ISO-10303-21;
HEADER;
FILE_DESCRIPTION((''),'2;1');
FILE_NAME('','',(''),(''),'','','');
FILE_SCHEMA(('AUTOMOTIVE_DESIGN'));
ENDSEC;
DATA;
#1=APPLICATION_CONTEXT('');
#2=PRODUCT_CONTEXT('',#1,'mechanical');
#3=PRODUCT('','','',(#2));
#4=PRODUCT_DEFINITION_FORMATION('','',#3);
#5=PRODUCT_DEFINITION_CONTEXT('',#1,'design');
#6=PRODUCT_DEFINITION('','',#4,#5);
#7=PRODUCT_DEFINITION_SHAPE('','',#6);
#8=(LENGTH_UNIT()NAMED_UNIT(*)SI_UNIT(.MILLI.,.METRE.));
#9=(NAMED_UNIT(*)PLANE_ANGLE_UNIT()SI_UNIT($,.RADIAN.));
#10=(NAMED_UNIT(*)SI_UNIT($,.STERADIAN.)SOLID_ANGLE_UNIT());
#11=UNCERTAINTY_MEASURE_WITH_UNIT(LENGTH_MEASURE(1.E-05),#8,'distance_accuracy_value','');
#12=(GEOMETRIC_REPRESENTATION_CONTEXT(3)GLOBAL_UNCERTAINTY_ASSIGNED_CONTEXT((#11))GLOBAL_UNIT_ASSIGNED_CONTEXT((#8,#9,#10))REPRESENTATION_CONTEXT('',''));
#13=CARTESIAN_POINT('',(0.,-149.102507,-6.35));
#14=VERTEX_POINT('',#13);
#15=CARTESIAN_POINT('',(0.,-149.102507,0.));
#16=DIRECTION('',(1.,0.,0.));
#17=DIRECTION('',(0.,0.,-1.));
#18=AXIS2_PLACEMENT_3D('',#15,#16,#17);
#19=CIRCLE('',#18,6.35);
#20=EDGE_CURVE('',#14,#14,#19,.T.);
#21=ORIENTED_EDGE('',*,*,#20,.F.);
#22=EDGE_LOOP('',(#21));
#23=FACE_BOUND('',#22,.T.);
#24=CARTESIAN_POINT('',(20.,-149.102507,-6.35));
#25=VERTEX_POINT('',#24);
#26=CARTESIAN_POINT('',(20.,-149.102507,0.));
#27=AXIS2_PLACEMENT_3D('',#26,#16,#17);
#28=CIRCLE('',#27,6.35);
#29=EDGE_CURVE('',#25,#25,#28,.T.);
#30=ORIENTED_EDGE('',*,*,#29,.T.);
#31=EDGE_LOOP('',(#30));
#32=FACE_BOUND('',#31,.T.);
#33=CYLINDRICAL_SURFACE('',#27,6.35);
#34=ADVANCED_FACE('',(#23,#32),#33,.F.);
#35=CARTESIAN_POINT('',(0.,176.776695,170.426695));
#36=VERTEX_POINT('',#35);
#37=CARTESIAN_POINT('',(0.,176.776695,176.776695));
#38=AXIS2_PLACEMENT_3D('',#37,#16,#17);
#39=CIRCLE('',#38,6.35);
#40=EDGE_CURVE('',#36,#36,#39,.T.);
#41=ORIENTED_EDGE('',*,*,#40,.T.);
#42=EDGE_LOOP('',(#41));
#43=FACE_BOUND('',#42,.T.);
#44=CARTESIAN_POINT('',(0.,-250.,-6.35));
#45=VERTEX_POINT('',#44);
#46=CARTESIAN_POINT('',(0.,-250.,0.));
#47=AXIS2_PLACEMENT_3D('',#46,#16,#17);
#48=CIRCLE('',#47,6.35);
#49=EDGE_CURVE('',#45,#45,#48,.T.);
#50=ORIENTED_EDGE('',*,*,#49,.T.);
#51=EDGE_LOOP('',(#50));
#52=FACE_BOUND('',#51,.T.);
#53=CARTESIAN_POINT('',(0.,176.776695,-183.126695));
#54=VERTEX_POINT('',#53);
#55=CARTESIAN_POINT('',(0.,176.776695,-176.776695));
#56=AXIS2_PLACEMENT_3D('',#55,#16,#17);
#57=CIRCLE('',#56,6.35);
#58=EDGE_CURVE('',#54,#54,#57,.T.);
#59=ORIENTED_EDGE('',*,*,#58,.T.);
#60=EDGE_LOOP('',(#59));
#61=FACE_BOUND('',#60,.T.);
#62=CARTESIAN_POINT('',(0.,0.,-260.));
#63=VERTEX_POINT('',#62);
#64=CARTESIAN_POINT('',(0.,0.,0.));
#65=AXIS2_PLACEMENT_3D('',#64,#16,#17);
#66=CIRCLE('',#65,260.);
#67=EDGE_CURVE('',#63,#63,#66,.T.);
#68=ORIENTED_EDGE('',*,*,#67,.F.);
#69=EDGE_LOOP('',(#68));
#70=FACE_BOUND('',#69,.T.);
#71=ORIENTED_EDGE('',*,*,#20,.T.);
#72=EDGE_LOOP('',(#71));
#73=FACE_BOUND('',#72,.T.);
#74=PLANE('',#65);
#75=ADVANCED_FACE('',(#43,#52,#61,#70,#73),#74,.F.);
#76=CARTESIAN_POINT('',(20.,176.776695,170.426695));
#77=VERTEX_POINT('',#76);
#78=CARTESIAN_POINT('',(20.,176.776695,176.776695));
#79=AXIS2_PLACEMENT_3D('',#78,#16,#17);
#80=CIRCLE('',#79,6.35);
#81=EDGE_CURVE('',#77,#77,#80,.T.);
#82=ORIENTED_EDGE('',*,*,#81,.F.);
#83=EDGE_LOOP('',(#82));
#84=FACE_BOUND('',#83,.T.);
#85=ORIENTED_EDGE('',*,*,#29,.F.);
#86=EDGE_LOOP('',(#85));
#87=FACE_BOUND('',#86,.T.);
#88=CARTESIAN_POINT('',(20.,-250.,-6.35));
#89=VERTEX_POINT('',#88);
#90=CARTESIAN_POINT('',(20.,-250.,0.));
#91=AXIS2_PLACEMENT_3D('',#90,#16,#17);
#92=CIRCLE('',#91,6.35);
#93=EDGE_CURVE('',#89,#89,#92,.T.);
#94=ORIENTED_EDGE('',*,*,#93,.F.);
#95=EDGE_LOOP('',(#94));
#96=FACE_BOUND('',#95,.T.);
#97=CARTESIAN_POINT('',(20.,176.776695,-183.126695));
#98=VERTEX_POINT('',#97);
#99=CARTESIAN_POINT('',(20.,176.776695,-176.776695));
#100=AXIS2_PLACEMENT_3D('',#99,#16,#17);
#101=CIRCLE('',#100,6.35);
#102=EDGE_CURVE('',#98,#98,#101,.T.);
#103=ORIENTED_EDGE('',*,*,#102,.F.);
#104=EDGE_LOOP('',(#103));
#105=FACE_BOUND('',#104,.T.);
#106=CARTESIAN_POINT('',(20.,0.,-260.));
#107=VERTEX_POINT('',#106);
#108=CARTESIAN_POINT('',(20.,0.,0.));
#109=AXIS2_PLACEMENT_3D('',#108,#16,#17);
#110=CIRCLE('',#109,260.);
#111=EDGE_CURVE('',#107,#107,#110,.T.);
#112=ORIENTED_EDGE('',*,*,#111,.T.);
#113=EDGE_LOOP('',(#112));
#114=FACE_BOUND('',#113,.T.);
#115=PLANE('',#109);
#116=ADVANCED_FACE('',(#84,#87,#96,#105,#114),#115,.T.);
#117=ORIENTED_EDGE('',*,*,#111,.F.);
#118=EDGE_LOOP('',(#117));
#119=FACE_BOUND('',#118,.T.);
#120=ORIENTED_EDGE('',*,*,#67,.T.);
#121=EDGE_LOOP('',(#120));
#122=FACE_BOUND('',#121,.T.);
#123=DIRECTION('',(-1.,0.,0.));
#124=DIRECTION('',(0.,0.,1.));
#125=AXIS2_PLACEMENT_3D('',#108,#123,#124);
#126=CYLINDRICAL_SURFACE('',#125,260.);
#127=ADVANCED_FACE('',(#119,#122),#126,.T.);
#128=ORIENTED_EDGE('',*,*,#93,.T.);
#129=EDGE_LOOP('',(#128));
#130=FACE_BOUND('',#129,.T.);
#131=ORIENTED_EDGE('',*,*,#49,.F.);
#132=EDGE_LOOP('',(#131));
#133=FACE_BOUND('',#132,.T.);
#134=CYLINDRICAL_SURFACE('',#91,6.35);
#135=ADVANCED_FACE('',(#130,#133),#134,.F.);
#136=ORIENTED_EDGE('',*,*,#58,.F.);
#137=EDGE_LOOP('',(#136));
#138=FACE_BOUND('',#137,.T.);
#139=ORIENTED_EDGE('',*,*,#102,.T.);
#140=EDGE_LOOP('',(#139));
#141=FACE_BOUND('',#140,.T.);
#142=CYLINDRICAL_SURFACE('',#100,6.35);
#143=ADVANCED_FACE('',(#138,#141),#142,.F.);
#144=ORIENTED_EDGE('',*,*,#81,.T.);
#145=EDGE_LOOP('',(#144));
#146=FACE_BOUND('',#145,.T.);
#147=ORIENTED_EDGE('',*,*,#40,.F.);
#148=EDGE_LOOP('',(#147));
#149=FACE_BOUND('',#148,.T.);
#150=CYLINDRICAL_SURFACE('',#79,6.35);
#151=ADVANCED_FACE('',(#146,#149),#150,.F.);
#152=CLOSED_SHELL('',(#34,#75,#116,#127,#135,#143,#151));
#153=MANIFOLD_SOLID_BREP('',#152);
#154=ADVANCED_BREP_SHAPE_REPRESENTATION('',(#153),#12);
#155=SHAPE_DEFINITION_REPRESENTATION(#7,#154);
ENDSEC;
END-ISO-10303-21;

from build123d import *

# Parameters (mm, degrees)
SKETCH1_R                         = 260
BOSS_EXTRUDE1_DEPTH               = 20
F_1_2_13_TAPPED_HOLE1_D           = 10.71626
F_1_2_13_TAPPED_HOLE1_DEPTH       = 70.4
F_1_2_13_TAPPED_HOLE1_CBORE_D     = 12.7
F_1_2_13_TAPPED_HOLE1_CBORE_DEPTH = 64.5
F_1_2_13_TAPPED_HOLE1_TIP         = 3.219489309


with BuildPart() as part:
    # Sketch1 → Boss-Extrude1 (new body)
    with BuildSketch(Plane(origin=(0, 0, 0), x_dir=(0, 0, -1), z_dir=(1, 0, 0))):
        Circle(SKETCH1_R)
    extrude(amount=BOSS_EXTRUDE1_DEPTH)

    # 1/2-13 Tapped Hole1
    with Locations(Plane(origin=(20, 176.776695297, 176.776695297), x_dir=(0, 0, 1), z_dir=(1, 0, 0))):
        with Locations((0, 0), (-353.553390594, 0), (-176.776695297, 426.776695297), (-176.776695297, 325.879201874)):
            CounterBoreHole(F_1_2_13_TAPPED_HOLE1_D / 2, F_1_2_13_TAPPED_HOLE1_CBORE_D / 2, F_1_2_13_TAPPED_HOLE1_CBORE_DEPTH, depth=F_1_2_13_TAPPED_HOLE1_DEPTH)
            with Locations((0, 0, -(F_1_2_13_TAPPED_HOLE1_DEPTH + F_1_2_13_TAPPED_HOLE1_TIP / 2))):  # 118° drill point
                Cone(0, F_1_2_13_TAPPED_HOLE1_D / 2, F_1_2_13_TAPPED_HOLE1_TIP, mode=Mode.SUBTRACT)


solid = part.part
